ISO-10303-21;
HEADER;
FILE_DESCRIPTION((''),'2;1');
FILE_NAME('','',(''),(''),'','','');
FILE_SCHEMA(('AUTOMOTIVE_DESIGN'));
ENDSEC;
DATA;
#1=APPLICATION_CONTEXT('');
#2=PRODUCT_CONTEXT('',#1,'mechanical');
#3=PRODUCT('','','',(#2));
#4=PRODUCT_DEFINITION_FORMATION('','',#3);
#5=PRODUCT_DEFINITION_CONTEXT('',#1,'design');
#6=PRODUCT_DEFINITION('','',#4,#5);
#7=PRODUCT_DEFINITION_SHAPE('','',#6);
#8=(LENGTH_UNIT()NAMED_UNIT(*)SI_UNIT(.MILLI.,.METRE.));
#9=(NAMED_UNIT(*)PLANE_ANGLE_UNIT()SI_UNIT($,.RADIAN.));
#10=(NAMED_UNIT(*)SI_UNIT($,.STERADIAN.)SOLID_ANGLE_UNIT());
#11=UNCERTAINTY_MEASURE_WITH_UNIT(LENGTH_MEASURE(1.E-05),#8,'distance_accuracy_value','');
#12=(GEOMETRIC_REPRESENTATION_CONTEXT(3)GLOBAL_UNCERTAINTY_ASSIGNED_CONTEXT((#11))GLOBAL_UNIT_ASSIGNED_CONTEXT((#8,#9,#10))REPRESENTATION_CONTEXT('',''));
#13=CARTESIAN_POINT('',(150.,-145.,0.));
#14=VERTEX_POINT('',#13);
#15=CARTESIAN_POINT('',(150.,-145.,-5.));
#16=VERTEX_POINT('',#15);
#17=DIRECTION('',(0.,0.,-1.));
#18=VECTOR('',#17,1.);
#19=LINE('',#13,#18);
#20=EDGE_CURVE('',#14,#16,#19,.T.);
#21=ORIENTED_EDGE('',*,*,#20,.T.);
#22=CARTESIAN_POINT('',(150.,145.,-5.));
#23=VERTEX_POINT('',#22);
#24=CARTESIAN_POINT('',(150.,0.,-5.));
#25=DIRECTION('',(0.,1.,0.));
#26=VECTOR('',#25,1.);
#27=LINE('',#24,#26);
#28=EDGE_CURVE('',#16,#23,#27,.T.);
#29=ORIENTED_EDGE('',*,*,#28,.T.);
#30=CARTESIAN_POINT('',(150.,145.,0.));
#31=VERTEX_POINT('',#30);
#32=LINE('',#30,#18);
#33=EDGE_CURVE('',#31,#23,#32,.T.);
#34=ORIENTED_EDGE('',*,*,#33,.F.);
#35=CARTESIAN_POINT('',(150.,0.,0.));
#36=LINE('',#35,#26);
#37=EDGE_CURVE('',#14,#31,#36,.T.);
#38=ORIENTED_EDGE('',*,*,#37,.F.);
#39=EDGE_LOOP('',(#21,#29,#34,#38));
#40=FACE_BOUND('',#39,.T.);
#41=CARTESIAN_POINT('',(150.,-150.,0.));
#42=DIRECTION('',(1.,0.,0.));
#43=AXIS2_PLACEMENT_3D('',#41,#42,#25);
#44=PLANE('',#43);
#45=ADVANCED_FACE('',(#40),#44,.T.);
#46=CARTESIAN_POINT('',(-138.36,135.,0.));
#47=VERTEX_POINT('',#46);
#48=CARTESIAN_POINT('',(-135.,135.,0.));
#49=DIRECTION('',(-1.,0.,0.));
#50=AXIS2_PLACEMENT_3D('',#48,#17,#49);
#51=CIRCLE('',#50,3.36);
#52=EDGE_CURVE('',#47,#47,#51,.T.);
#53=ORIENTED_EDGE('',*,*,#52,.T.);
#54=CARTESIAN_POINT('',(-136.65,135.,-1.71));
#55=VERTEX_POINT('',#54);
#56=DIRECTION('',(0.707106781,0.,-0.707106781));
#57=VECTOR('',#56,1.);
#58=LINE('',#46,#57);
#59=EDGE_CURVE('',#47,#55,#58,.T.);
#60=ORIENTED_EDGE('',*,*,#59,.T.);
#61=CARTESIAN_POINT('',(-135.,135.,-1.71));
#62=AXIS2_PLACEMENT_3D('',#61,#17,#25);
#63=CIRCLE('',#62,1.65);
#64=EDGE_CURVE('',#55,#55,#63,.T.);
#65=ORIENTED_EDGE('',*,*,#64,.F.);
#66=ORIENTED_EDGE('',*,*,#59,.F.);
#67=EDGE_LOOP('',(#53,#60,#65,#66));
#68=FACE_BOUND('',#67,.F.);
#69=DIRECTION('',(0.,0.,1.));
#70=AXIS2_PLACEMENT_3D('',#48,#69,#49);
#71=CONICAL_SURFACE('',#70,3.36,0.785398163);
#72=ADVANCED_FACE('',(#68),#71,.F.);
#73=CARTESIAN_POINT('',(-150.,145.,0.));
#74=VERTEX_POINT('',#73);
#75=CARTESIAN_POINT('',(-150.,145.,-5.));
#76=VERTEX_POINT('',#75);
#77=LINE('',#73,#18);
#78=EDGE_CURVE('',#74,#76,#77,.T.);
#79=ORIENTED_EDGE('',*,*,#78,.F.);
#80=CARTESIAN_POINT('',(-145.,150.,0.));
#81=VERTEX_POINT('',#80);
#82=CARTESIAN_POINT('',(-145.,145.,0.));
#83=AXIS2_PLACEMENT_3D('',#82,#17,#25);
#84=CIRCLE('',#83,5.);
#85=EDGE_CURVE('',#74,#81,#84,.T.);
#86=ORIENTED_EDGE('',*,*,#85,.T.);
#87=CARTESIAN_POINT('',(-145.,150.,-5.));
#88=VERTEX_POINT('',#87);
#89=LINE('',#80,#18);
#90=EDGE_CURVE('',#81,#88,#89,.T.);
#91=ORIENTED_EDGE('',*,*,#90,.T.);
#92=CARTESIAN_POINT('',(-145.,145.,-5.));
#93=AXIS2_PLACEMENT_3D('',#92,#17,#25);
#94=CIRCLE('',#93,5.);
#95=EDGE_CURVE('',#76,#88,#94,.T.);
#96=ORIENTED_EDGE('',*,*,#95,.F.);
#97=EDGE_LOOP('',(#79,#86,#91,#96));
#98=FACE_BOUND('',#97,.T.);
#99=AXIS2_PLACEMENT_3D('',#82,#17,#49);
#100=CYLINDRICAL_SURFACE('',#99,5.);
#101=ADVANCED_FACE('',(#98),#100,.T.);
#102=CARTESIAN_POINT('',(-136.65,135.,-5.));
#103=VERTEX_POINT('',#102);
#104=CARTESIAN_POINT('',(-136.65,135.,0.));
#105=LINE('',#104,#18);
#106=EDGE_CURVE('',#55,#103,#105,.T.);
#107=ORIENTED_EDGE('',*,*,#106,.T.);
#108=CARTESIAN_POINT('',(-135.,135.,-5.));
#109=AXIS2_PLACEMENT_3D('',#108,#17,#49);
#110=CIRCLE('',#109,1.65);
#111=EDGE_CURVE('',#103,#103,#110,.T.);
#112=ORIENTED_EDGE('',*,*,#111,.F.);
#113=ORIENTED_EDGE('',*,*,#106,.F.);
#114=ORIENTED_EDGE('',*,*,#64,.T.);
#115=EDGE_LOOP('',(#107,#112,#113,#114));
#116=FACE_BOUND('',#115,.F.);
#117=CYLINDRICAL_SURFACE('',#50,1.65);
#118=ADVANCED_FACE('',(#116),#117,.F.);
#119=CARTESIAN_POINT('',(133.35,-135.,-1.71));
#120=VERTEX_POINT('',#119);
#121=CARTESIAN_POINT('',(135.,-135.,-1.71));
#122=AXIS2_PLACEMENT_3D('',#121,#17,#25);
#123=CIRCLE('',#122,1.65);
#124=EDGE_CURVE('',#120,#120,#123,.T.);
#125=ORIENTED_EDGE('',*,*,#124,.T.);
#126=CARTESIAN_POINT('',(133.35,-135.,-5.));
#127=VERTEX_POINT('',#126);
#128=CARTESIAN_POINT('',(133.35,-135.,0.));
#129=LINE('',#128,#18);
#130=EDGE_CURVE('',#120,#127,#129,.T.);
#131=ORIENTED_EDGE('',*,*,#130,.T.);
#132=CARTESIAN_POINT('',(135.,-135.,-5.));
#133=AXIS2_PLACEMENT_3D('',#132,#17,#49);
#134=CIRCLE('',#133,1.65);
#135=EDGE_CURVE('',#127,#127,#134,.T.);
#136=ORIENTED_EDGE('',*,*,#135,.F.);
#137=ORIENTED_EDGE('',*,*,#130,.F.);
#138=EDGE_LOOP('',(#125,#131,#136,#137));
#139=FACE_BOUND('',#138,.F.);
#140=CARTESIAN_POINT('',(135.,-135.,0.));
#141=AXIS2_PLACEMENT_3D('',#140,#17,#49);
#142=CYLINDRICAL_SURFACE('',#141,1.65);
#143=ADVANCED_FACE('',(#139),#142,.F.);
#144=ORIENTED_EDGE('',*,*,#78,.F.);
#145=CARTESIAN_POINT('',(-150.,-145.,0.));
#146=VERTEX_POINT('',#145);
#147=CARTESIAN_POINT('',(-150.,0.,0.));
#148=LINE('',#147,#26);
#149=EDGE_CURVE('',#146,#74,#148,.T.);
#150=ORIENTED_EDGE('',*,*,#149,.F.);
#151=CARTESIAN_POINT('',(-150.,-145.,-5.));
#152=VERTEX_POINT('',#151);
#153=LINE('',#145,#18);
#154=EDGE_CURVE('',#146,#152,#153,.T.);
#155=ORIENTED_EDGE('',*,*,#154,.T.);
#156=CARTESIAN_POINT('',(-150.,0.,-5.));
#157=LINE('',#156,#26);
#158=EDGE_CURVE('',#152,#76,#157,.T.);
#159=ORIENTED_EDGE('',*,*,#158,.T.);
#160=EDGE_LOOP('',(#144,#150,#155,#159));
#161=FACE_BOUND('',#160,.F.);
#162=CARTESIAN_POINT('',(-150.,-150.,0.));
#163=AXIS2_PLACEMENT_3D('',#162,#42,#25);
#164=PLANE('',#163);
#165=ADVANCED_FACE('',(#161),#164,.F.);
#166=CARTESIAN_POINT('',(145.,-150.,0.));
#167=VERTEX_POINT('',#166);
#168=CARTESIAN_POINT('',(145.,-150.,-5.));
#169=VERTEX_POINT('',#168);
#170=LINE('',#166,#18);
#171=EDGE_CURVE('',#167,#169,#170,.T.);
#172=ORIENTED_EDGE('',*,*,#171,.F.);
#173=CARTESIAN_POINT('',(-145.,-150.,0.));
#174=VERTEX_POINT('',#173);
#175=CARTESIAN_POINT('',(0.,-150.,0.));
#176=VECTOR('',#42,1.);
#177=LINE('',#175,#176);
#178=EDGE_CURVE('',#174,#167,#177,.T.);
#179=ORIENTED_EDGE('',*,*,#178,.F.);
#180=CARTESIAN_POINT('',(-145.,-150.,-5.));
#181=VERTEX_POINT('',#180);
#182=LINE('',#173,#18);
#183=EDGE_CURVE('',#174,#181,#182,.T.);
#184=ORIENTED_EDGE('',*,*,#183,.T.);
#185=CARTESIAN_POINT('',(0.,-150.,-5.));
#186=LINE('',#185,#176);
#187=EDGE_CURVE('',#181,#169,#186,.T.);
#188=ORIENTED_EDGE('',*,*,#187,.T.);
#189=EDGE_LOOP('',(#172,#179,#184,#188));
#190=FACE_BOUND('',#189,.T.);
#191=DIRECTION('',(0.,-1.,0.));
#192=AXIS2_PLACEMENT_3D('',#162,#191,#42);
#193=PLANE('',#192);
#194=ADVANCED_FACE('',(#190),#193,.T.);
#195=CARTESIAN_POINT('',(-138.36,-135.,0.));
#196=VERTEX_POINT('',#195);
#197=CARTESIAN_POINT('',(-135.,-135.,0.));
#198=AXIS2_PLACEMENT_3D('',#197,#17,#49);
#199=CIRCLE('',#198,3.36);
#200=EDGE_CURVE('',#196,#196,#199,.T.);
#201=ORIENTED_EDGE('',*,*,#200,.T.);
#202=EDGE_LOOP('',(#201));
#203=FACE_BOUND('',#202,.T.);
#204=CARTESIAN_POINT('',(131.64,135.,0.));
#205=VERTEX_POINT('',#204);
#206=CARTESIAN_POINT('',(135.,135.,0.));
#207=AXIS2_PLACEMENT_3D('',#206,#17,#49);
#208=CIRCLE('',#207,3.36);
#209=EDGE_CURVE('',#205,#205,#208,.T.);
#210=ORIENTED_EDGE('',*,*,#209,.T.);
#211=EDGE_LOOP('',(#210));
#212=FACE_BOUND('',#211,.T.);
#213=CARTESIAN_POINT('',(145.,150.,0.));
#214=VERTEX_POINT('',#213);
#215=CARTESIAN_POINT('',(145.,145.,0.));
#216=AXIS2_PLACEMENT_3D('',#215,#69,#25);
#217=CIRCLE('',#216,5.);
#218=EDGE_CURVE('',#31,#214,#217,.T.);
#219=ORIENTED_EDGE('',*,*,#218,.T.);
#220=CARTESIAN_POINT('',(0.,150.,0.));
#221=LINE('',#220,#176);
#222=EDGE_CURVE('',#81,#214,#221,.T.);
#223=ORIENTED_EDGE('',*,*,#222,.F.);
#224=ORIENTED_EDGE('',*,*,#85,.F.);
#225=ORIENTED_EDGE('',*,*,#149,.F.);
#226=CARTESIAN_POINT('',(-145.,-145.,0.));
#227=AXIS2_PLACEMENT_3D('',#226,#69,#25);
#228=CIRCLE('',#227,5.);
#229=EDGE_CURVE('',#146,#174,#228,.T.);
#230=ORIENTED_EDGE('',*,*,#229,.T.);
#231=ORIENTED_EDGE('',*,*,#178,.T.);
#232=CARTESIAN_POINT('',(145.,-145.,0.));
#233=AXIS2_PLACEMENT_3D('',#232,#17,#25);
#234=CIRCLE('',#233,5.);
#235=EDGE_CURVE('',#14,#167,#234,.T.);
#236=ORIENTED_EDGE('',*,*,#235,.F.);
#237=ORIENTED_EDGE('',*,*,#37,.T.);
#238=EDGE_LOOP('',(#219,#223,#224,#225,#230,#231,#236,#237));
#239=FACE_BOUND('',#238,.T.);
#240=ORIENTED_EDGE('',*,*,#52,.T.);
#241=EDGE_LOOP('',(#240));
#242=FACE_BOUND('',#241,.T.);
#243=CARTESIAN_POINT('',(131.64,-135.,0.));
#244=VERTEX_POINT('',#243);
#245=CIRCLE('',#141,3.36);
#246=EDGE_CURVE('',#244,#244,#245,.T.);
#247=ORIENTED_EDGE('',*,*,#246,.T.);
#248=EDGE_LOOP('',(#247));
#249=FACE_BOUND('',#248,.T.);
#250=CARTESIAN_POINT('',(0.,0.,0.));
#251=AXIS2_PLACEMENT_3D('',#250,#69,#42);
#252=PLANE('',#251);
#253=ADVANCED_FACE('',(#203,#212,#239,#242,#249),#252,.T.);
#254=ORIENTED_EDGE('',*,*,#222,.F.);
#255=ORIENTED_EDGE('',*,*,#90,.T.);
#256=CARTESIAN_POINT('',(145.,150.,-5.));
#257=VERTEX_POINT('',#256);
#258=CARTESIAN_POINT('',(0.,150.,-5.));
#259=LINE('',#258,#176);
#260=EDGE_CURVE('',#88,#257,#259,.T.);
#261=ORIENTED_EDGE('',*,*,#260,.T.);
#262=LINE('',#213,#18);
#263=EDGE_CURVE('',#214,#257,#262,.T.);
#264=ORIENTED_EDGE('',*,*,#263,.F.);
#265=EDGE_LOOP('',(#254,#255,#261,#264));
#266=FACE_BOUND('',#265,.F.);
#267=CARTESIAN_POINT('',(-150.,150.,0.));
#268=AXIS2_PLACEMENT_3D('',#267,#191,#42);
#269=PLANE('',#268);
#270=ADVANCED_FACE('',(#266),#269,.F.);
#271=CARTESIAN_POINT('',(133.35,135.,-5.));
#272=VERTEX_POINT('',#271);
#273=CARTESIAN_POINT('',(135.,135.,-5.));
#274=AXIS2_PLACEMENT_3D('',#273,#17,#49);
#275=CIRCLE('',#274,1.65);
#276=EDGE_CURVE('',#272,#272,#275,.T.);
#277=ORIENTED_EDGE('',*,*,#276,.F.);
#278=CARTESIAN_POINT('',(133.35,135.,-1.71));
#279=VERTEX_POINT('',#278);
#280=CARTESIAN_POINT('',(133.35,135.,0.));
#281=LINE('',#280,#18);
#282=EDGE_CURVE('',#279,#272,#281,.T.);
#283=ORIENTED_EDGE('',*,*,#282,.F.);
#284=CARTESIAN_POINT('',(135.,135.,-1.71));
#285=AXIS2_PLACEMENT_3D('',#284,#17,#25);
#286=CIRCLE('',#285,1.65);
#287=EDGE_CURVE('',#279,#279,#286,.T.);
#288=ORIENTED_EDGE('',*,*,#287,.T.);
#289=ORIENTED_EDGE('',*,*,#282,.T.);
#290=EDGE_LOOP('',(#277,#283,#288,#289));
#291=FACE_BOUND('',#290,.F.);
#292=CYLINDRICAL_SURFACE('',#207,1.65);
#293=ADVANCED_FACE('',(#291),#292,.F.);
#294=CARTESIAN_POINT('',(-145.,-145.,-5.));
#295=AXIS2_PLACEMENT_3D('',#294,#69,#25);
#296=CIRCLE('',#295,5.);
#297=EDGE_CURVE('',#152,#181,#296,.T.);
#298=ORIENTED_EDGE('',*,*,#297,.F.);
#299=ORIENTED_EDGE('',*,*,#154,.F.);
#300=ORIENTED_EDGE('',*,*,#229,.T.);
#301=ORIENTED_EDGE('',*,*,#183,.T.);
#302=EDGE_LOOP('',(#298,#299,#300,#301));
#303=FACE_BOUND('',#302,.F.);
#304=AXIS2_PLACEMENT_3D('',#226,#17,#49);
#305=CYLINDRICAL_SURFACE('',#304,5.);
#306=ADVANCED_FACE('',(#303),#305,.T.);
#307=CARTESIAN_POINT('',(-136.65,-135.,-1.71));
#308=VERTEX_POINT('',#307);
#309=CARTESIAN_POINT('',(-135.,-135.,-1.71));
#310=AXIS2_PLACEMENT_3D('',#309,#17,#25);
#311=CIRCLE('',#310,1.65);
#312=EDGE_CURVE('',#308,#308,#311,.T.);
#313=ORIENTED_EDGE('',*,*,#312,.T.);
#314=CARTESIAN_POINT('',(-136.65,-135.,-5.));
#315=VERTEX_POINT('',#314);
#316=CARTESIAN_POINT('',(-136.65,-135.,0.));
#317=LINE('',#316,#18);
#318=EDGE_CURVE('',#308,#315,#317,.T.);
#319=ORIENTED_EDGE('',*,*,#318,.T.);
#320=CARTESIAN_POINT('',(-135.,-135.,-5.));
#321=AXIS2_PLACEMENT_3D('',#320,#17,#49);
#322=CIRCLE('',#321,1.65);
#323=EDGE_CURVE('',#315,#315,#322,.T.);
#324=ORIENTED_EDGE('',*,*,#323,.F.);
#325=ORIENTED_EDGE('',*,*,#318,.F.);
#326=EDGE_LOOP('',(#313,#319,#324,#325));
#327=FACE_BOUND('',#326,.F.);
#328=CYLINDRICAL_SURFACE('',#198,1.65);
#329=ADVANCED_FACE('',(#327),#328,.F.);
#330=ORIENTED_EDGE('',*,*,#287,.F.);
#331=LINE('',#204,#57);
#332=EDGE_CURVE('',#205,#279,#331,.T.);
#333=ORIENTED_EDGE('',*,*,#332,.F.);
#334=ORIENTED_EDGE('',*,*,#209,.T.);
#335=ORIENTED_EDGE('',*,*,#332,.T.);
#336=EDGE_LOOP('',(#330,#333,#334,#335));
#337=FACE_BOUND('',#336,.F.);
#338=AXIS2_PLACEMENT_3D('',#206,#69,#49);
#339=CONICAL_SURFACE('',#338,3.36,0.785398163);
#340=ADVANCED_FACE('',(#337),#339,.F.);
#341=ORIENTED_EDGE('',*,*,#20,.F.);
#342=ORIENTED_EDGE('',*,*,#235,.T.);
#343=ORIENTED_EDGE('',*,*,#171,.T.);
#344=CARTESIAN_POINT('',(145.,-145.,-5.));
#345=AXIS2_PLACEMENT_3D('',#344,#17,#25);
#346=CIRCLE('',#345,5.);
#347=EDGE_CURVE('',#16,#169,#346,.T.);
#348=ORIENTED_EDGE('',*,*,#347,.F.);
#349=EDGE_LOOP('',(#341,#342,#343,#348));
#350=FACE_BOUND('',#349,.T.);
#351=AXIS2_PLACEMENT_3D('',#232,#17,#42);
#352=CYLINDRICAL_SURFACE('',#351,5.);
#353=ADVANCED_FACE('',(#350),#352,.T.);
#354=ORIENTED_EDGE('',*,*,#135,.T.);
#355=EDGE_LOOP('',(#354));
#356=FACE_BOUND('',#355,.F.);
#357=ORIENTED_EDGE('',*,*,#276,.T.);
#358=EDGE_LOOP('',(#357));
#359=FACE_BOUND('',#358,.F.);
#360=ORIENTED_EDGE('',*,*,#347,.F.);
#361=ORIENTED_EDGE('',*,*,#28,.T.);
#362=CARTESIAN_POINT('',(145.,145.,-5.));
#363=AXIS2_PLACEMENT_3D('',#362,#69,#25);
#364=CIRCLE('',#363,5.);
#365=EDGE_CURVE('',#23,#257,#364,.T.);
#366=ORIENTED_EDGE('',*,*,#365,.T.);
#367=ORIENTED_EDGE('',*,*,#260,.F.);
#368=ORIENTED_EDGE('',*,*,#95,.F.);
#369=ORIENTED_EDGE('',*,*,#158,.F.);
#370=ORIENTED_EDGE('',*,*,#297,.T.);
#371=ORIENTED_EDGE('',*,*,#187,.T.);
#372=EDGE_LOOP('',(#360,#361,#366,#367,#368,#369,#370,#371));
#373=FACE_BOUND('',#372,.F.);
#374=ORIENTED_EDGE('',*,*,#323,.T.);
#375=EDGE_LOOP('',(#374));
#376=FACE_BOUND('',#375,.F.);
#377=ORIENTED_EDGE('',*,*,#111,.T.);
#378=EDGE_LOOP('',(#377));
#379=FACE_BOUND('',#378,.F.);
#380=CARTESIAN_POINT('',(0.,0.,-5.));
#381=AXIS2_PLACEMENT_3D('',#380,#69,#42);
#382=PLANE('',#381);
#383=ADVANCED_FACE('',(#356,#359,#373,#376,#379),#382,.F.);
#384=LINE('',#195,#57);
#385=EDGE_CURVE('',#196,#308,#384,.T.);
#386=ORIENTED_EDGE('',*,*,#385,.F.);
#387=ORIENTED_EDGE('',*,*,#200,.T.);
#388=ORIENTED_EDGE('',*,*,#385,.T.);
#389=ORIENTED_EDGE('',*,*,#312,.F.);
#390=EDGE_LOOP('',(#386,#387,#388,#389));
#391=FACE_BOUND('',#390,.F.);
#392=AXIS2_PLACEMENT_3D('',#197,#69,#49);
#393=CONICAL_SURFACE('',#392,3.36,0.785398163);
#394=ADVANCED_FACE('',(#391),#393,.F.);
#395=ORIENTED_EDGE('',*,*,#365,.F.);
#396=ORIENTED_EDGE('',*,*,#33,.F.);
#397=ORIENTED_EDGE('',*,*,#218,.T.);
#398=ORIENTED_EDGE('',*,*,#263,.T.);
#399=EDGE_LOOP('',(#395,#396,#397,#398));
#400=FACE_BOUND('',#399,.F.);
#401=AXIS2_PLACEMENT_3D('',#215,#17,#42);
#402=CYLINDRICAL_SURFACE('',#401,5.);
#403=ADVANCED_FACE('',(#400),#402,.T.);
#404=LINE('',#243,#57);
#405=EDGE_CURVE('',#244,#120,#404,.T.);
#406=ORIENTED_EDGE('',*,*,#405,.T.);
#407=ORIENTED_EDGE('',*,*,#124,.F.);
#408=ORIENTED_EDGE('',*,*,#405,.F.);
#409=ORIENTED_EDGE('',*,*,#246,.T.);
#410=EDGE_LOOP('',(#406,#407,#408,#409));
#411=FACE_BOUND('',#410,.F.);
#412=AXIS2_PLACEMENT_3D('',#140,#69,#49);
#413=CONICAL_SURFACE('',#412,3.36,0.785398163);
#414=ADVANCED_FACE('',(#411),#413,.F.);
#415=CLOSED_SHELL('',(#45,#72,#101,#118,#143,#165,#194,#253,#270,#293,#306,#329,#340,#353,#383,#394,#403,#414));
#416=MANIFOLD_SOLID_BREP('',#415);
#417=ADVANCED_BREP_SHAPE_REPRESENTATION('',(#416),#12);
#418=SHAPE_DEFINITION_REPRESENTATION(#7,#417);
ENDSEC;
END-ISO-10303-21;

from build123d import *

# Parameters (mm, degrees)
F0_W           = 300
F0_H           = 300
F1_DEPTH       = 5
F2_D           = 3.3
F2_CSINK_D     = 6.72
F2_CSINK_ANGLE = 90
F3_R           = 5


with BuildPart() as f1:
    # F0 (on Top) → F1 (new body)
    with BuildSketch(Plane.XY):
        Rectangle(F0_W, F0_H)
    extrude(amount=-F1_DEPTH)

    # F2 (through all)
    with Locations(Plane.XY):
        with Locations((-135, 135), (-135, -135), (135, -135), (135, 135)):
            CounterSinkHole(F2_D / 2, F2_CSINK_D / 2, counter_sink_angle=F2_CSINK_ANGLE)

    # F3
    f3_edges = [f1.edges().sort_by_distance(p)[0] for p in [
        (-150, 150, -2.5),
        (150, 150, -2.5),
        (150, -150, -2.5),
        (-150, -150, -2.5),
    ]]
    fillet(f3_edges, radius=F3_R)


solid = f1.part
